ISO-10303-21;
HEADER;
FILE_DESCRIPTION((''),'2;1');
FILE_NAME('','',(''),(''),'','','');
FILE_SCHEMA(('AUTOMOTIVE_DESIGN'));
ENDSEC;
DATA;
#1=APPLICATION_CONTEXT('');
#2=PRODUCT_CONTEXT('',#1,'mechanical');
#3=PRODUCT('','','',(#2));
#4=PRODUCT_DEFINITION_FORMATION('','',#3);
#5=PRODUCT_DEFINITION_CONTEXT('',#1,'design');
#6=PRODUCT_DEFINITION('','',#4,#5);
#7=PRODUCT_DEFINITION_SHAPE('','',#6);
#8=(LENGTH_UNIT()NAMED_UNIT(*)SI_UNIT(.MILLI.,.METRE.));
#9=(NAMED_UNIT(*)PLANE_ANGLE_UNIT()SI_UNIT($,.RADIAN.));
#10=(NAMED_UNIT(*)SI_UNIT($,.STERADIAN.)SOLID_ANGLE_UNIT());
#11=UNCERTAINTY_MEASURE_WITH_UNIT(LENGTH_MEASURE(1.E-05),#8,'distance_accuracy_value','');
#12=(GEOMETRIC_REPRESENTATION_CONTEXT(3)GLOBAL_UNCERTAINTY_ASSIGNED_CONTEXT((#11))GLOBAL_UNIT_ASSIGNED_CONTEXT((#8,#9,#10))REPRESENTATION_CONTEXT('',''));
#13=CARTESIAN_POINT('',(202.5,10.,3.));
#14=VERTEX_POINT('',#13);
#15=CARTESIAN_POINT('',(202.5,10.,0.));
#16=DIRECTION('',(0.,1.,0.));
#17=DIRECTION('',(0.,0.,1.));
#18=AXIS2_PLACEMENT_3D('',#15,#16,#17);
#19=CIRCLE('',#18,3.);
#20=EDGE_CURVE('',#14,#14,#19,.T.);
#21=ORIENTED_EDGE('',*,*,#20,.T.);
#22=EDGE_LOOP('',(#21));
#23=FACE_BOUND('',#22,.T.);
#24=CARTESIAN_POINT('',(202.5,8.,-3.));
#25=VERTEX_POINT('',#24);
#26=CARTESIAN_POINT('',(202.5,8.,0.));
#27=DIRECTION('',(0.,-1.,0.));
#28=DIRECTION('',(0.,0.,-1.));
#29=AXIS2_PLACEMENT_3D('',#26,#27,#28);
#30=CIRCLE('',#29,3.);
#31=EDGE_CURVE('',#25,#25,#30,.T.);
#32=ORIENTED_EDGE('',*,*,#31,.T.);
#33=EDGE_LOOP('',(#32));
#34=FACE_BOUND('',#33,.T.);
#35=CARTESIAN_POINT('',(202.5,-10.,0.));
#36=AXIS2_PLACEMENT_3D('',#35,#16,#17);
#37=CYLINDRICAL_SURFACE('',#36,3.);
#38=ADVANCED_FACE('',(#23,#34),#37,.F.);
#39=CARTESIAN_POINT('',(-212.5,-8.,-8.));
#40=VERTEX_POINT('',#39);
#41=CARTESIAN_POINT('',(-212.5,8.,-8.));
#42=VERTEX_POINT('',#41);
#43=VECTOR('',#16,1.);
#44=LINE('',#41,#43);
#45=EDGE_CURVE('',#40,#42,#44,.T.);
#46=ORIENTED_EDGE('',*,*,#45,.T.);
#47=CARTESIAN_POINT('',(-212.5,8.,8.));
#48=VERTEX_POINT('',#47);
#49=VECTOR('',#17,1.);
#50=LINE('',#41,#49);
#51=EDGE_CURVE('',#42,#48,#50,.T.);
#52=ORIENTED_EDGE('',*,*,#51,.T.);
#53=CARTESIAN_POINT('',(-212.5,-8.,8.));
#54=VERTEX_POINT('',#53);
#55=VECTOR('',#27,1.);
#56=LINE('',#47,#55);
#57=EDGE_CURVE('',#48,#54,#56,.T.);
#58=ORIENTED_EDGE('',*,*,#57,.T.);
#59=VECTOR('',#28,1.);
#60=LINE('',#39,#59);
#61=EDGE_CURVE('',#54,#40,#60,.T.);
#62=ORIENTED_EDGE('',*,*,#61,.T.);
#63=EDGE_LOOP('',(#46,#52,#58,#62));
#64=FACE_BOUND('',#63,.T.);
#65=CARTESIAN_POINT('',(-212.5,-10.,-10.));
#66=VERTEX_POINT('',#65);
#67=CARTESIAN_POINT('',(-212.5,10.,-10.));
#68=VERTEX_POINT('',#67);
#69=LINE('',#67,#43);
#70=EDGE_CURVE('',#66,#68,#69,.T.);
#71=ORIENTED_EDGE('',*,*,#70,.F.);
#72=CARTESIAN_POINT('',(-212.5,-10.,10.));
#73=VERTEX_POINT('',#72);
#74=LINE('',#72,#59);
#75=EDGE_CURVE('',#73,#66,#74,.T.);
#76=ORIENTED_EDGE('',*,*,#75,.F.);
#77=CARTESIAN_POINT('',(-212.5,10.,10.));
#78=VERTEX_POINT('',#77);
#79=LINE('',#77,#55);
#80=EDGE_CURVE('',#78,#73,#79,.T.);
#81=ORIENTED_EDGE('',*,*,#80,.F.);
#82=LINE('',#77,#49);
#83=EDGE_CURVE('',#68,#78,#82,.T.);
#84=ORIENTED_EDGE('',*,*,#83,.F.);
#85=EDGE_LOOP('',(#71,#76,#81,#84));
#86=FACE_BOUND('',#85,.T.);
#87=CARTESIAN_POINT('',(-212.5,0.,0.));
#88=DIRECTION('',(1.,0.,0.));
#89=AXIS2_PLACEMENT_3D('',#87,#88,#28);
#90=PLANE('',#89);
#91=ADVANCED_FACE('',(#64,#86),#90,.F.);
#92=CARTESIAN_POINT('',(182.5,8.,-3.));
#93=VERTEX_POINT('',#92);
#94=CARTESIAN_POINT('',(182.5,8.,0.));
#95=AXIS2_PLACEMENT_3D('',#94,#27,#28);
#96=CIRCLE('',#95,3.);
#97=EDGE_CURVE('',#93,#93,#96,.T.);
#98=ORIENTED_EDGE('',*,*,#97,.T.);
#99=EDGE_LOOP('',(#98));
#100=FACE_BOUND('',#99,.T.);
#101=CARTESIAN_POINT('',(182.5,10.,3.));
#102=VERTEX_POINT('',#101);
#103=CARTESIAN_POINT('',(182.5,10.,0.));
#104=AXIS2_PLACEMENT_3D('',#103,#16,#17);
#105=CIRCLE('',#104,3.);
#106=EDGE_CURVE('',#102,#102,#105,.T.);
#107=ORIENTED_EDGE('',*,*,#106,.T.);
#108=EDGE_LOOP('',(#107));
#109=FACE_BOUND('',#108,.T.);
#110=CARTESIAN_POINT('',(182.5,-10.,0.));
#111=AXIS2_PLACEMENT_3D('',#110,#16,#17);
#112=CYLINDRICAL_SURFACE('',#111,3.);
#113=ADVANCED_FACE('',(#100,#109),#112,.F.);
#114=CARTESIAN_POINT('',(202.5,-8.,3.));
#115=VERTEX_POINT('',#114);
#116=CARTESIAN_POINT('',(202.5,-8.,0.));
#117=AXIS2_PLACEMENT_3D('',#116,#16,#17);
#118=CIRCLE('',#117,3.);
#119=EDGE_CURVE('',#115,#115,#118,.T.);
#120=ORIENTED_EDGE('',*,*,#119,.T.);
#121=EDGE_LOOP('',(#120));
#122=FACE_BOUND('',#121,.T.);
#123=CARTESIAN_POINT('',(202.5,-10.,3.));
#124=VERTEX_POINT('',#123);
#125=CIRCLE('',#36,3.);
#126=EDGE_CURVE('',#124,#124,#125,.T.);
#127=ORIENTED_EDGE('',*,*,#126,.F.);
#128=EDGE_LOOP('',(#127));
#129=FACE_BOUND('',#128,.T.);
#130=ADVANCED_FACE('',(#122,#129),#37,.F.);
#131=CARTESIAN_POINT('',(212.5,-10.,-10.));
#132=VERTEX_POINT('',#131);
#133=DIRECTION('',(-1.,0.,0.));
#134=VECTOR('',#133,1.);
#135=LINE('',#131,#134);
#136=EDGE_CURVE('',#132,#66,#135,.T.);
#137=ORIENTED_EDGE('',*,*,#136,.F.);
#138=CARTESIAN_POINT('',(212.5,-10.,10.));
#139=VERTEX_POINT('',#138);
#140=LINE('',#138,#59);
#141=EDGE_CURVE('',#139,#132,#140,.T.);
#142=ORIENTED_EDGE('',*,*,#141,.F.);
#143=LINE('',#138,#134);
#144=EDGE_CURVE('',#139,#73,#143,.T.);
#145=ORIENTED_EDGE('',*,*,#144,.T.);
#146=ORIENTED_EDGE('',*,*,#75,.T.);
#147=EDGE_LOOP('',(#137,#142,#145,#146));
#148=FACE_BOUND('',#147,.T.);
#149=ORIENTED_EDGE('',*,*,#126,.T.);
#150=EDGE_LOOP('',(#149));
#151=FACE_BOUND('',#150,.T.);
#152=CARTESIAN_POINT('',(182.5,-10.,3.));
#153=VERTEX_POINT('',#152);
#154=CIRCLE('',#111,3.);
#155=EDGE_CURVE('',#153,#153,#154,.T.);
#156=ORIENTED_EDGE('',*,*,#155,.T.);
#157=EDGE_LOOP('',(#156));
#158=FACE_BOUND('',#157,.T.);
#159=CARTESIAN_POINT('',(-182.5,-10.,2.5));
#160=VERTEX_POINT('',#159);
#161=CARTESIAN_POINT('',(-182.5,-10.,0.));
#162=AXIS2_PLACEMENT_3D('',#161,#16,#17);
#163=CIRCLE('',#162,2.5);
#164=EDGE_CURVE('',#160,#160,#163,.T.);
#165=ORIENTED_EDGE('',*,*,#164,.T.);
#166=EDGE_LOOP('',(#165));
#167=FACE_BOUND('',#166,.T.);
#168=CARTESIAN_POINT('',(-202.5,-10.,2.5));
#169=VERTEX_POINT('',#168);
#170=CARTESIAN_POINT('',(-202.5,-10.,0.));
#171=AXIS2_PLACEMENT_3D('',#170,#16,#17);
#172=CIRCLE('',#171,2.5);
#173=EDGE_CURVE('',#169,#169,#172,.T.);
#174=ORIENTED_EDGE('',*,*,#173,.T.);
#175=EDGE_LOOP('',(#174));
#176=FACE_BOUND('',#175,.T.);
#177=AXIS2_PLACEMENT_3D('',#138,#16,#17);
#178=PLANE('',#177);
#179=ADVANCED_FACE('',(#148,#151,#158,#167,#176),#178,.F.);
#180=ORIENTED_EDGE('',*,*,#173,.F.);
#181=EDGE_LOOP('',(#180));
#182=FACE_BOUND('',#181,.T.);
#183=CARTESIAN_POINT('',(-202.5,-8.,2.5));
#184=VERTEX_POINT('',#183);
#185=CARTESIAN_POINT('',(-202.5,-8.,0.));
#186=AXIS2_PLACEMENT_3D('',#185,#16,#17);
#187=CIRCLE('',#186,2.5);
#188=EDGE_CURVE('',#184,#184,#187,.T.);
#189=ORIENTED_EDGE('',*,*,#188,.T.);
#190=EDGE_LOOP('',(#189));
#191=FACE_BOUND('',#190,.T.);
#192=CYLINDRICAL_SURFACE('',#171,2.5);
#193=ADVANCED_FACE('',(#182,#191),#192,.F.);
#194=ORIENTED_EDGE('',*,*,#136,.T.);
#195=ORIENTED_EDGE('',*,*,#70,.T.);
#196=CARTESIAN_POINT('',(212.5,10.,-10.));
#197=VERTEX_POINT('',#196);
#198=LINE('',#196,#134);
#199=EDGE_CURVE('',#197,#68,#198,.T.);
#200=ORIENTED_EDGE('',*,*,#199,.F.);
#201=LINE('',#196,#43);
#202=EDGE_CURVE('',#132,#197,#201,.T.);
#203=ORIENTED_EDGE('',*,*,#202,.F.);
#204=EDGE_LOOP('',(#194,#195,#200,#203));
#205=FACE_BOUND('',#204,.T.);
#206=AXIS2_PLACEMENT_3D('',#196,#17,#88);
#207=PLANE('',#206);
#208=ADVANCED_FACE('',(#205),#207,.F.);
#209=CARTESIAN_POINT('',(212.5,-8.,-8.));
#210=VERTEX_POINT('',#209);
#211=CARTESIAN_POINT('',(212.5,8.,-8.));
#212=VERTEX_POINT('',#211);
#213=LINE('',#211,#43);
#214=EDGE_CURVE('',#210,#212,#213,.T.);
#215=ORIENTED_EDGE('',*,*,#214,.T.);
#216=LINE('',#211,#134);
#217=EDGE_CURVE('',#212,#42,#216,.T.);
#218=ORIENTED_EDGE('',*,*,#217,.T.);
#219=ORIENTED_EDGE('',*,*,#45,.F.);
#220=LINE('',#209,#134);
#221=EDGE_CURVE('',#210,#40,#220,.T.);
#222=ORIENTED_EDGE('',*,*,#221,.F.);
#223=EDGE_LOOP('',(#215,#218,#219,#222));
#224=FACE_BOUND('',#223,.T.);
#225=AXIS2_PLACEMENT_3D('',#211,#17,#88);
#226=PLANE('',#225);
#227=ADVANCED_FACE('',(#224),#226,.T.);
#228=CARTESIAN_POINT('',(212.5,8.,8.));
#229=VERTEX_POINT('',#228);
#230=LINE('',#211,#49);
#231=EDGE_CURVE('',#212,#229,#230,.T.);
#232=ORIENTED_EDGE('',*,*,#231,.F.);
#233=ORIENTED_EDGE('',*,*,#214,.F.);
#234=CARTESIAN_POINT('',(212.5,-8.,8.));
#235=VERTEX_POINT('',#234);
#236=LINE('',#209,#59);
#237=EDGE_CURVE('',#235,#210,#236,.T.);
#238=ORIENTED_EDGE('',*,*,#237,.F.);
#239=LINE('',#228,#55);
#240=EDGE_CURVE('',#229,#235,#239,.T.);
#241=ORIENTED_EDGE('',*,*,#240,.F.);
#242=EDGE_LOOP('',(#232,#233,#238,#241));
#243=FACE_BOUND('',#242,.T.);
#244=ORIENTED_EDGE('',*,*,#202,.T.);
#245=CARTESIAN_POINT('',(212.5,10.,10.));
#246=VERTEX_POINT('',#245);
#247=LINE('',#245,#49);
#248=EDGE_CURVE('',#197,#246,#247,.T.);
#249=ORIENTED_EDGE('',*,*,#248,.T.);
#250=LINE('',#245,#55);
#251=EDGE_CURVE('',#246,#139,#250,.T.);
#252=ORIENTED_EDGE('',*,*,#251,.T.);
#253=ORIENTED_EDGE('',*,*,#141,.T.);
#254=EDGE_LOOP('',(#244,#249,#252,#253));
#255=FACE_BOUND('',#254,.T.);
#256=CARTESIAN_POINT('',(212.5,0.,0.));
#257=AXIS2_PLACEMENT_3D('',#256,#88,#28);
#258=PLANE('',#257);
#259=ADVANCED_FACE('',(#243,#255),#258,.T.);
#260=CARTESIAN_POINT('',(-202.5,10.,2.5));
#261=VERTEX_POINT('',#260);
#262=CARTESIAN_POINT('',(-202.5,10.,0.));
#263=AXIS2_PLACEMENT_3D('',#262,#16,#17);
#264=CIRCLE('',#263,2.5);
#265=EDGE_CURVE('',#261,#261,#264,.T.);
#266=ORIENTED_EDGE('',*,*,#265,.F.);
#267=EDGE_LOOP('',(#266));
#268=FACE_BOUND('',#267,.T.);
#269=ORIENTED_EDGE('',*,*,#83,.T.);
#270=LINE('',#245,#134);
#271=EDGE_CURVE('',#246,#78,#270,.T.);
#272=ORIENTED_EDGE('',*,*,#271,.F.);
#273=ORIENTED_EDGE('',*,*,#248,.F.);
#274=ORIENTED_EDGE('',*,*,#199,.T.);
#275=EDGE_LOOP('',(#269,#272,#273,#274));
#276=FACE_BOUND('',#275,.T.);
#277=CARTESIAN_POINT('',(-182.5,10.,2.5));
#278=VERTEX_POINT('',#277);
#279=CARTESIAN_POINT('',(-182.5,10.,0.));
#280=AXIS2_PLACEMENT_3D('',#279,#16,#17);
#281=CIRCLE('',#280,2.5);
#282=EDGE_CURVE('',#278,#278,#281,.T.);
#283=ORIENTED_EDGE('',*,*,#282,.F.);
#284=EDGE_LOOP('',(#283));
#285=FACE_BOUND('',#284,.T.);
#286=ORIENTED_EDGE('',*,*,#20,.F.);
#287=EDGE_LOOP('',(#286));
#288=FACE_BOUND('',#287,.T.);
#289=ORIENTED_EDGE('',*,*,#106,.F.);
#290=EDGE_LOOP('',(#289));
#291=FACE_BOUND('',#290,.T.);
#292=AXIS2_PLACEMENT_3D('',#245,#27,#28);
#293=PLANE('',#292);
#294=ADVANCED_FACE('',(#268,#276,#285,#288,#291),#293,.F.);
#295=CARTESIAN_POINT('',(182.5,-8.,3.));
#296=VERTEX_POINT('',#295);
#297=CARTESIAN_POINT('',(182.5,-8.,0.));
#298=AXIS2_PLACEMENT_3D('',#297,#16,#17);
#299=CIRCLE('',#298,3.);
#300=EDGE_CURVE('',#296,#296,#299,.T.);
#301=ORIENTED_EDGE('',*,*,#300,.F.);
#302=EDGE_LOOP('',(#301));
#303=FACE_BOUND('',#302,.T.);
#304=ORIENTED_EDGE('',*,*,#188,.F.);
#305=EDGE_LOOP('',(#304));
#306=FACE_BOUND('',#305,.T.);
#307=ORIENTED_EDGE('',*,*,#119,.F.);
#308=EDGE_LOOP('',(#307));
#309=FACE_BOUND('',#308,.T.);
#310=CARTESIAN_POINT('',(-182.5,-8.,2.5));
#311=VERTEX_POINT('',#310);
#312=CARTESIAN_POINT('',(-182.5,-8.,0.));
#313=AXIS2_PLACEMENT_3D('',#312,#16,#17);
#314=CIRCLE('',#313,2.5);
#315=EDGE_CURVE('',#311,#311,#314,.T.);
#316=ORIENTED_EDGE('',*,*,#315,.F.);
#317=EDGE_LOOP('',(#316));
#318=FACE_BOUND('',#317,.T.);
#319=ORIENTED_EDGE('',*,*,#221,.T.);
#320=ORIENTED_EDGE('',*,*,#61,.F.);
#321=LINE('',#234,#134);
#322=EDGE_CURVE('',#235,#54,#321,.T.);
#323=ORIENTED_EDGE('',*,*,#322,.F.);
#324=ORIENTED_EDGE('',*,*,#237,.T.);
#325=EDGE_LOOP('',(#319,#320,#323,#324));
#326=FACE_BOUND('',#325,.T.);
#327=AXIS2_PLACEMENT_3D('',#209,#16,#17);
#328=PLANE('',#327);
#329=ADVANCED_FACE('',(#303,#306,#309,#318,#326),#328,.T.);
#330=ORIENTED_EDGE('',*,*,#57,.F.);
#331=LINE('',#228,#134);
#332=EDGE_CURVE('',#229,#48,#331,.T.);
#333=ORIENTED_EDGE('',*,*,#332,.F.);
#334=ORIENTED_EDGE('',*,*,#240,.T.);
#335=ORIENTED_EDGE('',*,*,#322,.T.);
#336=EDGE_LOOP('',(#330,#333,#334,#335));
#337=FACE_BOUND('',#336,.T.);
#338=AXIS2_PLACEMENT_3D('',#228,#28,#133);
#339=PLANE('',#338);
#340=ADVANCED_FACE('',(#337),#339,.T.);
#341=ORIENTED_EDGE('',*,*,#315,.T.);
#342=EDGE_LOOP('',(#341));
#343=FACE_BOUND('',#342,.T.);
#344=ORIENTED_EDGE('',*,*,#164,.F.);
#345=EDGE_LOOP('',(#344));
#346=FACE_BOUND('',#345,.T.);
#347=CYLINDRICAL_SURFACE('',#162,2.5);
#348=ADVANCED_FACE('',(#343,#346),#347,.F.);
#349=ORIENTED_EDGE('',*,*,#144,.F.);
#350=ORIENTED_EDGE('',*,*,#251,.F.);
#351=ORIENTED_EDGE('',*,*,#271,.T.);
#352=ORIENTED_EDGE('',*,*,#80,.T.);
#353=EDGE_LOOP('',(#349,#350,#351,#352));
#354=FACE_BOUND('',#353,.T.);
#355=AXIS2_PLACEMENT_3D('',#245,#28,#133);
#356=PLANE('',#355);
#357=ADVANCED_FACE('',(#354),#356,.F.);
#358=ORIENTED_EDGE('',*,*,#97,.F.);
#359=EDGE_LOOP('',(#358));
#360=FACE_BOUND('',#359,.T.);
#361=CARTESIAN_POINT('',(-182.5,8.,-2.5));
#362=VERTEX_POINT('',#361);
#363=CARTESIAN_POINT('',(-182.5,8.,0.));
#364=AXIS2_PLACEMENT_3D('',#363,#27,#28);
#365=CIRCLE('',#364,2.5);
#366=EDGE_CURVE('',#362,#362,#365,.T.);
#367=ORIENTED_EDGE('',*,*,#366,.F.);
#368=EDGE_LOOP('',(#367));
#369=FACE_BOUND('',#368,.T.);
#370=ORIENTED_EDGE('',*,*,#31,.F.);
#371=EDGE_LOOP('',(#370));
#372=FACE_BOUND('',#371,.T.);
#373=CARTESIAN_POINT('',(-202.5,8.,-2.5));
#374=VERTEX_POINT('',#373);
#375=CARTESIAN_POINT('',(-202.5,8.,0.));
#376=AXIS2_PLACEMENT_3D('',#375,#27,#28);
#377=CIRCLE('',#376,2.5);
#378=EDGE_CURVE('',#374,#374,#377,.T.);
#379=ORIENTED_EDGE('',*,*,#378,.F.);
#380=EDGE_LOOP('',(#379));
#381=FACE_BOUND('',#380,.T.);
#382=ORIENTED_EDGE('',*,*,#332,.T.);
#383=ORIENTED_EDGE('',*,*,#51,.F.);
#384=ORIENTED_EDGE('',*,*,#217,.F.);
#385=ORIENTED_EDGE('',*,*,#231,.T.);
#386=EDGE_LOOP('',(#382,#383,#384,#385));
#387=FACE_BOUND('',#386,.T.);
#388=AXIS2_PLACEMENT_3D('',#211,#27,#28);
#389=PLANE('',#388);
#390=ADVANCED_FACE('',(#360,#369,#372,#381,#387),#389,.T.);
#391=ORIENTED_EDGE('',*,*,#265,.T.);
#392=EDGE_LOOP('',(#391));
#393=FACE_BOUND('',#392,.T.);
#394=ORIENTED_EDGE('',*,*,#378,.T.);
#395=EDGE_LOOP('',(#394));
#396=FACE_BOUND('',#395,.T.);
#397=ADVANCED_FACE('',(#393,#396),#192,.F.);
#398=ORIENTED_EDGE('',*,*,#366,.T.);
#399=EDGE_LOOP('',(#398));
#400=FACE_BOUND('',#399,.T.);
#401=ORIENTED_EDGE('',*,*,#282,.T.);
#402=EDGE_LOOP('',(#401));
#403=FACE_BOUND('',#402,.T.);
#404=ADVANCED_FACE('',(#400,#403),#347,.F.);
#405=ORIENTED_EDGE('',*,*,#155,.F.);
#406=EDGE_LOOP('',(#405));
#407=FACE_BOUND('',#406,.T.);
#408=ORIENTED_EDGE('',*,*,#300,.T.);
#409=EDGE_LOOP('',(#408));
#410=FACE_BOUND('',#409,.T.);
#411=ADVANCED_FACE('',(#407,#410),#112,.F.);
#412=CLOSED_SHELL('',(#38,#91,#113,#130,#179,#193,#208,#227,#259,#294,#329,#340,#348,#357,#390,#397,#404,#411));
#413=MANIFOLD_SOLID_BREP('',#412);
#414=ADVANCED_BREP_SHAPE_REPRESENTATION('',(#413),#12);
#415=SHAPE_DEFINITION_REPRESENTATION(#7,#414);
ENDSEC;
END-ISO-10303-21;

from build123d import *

# Parameters (mm, degrees)
SKETCH1_W           = 20
SKETCH1_H           = 20
SKETCH1_W_2         = 16
SKETCH1_H_2         = 16
BOSS_EXTRUDE1_DEPTH = 212.5
SKETCH2_R           = 3
CUT_EXTRUDE1_DEPTH  = 214.673231828
SKETCH3_R           = 2.5
CUT_EXTRUDE2_DEPTH  = 214.673231828


with BuildPart() as part:
    # Sketch1 → Boss-Extrude1 (new, symmetric)
    with BuildSketch(Plane(origin=(0, 0, 0), x_dir=(0, 0, -1), z_dir=(1, 0, 0))):
        Rectangle(SKETCH1_W, SKETCH1_H)
        Rectangle(SKETCH1_W_2, SKETCH1_H_2, mode=Mode.SUBTRACT)
    extrude(amount=BOSS_EXTRUDE1_DEPTH, both=True)

    # Sketch2 → Cut-Extrude1 (cut, through all)
    with BuildSketch(Plane(origin=(0, 10, 0), x_dir=(1, 0, 0), z_dir=(0, 1, 0))):
        with Locations(Location((182.5, 0, 0), (0, 0, 270))):
            Circle(SKETCH2_R)
        with Locations(Location((202.5, 0, 0), (0, 0, 270))):
            Circle(SKETCH2_R)
    extrude(amount=-CUT_EXTRUDE1_DEPTH, mode=Mode.SUBTRACT)

    # Sketch3 → Cut-Extrude2 (cut, through all)
    with BuildSketch(Plane(origin=(0, 10, 0), x_dir=(1, 0, 0), z_dir=(0, 1, 0))):
        with Locations(Location((-202.5, 0, 0), (0, 0, 270))):
            Circle(SKETCH3_R)
        with Locations(Location((-182.5, 0, 0), (0, 0, 270))):
            Circle(SKETCH3_R)
    extrude(amount=-CUT_EXTRUDE2_DEPTH, mode=Mode.SUBTRACT)


solid = part.part
